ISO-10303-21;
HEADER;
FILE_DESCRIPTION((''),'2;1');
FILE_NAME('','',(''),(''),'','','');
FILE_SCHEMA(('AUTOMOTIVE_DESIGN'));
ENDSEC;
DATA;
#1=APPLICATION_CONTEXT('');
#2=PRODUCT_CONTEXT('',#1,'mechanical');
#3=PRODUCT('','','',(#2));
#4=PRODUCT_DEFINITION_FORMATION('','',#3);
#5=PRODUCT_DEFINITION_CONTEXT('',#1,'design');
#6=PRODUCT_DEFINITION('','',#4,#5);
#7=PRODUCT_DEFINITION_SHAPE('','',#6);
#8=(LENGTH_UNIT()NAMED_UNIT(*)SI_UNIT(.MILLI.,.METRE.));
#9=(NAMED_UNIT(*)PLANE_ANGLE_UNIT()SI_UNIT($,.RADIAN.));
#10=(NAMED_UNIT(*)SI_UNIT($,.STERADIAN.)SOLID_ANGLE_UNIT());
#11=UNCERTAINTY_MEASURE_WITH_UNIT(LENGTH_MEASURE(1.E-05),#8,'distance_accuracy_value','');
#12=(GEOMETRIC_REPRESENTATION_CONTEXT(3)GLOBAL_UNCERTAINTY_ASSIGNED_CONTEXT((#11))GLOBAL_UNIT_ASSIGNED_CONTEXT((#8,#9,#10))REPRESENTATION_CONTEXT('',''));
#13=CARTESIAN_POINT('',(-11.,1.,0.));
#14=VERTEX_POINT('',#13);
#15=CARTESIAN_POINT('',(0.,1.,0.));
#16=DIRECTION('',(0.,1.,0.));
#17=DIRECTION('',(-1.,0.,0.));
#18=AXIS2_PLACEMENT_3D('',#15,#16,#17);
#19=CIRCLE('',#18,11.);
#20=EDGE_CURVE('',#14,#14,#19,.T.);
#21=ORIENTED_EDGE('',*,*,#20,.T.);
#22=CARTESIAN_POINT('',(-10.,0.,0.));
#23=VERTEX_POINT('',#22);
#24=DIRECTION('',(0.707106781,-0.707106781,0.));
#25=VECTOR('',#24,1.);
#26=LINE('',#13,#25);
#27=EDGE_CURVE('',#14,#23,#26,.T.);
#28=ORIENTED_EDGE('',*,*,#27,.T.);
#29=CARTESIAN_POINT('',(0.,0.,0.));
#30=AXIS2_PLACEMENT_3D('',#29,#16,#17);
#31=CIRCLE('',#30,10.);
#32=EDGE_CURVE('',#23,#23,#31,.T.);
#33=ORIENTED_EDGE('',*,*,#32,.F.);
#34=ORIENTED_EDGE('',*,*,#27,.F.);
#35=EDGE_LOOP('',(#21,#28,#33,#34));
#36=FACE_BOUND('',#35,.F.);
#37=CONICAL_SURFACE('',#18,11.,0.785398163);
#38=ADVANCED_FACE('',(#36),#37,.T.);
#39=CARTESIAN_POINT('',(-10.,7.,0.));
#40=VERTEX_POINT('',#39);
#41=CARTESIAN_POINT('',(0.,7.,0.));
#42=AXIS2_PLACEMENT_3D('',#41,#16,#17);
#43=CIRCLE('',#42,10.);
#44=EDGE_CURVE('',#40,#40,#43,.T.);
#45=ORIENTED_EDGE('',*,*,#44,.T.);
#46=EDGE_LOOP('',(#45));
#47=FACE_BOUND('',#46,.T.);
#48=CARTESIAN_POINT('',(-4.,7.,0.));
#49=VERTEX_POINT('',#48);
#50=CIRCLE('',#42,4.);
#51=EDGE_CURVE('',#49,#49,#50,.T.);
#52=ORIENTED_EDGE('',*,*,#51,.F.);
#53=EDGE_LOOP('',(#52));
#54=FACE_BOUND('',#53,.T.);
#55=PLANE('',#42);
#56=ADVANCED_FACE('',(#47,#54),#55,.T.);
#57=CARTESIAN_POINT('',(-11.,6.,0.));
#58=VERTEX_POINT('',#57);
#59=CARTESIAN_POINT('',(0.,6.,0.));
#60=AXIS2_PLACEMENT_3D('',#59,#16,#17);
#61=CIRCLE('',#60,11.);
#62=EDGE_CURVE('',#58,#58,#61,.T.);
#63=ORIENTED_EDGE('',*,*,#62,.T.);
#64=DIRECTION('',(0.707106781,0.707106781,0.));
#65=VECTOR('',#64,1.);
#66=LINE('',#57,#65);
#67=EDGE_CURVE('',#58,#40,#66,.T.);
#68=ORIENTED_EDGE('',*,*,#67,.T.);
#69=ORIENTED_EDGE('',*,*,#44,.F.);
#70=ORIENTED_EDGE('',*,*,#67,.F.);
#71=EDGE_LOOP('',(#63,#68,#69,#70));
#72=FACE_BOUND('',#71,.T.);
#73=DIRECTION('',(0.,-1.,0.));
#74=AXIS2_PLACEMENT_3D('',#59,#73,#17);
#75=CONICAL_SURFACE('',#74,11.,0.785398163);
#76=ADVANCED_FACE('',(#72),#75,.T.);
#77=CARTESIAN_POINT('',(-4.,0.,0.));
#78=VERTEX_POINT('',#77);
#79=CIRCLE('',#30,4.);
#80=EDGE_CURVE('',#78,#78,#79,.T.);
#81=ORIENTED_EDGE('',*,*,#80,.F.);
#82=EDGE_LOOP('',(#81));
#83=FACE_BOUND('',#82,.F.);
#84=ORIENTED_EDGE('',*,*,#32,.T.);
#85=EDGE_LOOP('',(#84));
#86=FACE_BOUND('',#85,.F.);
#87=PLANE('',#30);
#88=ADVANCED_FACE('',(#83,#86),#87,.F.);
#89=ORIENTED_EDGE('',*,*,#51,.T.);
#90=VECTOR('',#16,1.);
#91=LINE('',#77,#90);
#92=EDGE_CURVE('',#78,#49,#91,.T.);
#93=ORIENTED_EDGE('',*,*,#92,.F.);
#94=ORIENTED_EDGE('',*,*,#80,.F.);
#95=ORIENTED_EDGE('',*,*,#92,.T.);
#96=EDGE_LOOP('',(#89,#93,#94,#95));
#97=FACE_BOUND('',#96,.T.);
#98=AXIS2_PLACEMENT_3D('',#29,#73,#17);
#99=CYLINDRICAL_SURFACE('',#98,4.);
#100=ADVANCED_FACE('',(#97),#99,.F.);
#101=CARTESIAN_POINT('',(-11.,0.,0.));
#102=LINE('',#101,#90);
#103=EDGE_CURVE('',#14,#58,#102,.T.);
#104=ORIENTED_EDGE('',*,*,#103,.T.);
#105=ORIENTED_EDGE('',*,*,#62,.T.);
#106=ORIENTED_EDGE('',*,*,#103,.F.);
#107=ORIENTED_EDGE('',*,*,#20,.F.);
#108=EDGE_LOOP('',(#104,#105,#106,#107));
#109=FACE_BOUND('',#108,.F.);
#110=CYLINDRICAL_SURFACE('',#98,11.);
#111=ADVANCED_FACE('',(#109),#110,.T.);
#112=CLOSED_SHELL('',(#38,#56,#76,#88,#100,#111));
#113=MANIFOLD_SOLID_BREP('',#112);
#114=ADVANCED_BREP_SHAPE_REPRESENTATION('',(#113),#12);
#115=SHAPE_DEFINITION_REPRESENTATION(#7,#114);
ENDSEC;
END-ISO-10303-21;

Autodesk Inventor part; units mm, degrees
ref_plane "YZ Plane" through (0, 0, 0) normal (1, 0, 0) x (0, 1, 0)
ref_plane "XZ Plane" through (0, 0, 0) normal (0, 1, 0) x (-1, 0, 0)
ref_plane "XY Plane" through (0, 0, 0) normal (0, 0, 1) x (1, 0, 0)
sketch "Esboço1" plane through (0, 0, 0) normal (0, 1, 0) x (-1, 0, 0)
  circle A0 centre (0, 0) radius 11
  circle A1 centre (0, 0) radius 4
  dimension "d0" = 22
  dimension "d1" = 8
extrude "Extrusão1" add sketch "Esboço1" along normal blind 7
chamfer "Chanfro1" distance 1 angle 45 2 edges at (11, 7, 0) (11, 0, 0)
properties part number "rolamento"
